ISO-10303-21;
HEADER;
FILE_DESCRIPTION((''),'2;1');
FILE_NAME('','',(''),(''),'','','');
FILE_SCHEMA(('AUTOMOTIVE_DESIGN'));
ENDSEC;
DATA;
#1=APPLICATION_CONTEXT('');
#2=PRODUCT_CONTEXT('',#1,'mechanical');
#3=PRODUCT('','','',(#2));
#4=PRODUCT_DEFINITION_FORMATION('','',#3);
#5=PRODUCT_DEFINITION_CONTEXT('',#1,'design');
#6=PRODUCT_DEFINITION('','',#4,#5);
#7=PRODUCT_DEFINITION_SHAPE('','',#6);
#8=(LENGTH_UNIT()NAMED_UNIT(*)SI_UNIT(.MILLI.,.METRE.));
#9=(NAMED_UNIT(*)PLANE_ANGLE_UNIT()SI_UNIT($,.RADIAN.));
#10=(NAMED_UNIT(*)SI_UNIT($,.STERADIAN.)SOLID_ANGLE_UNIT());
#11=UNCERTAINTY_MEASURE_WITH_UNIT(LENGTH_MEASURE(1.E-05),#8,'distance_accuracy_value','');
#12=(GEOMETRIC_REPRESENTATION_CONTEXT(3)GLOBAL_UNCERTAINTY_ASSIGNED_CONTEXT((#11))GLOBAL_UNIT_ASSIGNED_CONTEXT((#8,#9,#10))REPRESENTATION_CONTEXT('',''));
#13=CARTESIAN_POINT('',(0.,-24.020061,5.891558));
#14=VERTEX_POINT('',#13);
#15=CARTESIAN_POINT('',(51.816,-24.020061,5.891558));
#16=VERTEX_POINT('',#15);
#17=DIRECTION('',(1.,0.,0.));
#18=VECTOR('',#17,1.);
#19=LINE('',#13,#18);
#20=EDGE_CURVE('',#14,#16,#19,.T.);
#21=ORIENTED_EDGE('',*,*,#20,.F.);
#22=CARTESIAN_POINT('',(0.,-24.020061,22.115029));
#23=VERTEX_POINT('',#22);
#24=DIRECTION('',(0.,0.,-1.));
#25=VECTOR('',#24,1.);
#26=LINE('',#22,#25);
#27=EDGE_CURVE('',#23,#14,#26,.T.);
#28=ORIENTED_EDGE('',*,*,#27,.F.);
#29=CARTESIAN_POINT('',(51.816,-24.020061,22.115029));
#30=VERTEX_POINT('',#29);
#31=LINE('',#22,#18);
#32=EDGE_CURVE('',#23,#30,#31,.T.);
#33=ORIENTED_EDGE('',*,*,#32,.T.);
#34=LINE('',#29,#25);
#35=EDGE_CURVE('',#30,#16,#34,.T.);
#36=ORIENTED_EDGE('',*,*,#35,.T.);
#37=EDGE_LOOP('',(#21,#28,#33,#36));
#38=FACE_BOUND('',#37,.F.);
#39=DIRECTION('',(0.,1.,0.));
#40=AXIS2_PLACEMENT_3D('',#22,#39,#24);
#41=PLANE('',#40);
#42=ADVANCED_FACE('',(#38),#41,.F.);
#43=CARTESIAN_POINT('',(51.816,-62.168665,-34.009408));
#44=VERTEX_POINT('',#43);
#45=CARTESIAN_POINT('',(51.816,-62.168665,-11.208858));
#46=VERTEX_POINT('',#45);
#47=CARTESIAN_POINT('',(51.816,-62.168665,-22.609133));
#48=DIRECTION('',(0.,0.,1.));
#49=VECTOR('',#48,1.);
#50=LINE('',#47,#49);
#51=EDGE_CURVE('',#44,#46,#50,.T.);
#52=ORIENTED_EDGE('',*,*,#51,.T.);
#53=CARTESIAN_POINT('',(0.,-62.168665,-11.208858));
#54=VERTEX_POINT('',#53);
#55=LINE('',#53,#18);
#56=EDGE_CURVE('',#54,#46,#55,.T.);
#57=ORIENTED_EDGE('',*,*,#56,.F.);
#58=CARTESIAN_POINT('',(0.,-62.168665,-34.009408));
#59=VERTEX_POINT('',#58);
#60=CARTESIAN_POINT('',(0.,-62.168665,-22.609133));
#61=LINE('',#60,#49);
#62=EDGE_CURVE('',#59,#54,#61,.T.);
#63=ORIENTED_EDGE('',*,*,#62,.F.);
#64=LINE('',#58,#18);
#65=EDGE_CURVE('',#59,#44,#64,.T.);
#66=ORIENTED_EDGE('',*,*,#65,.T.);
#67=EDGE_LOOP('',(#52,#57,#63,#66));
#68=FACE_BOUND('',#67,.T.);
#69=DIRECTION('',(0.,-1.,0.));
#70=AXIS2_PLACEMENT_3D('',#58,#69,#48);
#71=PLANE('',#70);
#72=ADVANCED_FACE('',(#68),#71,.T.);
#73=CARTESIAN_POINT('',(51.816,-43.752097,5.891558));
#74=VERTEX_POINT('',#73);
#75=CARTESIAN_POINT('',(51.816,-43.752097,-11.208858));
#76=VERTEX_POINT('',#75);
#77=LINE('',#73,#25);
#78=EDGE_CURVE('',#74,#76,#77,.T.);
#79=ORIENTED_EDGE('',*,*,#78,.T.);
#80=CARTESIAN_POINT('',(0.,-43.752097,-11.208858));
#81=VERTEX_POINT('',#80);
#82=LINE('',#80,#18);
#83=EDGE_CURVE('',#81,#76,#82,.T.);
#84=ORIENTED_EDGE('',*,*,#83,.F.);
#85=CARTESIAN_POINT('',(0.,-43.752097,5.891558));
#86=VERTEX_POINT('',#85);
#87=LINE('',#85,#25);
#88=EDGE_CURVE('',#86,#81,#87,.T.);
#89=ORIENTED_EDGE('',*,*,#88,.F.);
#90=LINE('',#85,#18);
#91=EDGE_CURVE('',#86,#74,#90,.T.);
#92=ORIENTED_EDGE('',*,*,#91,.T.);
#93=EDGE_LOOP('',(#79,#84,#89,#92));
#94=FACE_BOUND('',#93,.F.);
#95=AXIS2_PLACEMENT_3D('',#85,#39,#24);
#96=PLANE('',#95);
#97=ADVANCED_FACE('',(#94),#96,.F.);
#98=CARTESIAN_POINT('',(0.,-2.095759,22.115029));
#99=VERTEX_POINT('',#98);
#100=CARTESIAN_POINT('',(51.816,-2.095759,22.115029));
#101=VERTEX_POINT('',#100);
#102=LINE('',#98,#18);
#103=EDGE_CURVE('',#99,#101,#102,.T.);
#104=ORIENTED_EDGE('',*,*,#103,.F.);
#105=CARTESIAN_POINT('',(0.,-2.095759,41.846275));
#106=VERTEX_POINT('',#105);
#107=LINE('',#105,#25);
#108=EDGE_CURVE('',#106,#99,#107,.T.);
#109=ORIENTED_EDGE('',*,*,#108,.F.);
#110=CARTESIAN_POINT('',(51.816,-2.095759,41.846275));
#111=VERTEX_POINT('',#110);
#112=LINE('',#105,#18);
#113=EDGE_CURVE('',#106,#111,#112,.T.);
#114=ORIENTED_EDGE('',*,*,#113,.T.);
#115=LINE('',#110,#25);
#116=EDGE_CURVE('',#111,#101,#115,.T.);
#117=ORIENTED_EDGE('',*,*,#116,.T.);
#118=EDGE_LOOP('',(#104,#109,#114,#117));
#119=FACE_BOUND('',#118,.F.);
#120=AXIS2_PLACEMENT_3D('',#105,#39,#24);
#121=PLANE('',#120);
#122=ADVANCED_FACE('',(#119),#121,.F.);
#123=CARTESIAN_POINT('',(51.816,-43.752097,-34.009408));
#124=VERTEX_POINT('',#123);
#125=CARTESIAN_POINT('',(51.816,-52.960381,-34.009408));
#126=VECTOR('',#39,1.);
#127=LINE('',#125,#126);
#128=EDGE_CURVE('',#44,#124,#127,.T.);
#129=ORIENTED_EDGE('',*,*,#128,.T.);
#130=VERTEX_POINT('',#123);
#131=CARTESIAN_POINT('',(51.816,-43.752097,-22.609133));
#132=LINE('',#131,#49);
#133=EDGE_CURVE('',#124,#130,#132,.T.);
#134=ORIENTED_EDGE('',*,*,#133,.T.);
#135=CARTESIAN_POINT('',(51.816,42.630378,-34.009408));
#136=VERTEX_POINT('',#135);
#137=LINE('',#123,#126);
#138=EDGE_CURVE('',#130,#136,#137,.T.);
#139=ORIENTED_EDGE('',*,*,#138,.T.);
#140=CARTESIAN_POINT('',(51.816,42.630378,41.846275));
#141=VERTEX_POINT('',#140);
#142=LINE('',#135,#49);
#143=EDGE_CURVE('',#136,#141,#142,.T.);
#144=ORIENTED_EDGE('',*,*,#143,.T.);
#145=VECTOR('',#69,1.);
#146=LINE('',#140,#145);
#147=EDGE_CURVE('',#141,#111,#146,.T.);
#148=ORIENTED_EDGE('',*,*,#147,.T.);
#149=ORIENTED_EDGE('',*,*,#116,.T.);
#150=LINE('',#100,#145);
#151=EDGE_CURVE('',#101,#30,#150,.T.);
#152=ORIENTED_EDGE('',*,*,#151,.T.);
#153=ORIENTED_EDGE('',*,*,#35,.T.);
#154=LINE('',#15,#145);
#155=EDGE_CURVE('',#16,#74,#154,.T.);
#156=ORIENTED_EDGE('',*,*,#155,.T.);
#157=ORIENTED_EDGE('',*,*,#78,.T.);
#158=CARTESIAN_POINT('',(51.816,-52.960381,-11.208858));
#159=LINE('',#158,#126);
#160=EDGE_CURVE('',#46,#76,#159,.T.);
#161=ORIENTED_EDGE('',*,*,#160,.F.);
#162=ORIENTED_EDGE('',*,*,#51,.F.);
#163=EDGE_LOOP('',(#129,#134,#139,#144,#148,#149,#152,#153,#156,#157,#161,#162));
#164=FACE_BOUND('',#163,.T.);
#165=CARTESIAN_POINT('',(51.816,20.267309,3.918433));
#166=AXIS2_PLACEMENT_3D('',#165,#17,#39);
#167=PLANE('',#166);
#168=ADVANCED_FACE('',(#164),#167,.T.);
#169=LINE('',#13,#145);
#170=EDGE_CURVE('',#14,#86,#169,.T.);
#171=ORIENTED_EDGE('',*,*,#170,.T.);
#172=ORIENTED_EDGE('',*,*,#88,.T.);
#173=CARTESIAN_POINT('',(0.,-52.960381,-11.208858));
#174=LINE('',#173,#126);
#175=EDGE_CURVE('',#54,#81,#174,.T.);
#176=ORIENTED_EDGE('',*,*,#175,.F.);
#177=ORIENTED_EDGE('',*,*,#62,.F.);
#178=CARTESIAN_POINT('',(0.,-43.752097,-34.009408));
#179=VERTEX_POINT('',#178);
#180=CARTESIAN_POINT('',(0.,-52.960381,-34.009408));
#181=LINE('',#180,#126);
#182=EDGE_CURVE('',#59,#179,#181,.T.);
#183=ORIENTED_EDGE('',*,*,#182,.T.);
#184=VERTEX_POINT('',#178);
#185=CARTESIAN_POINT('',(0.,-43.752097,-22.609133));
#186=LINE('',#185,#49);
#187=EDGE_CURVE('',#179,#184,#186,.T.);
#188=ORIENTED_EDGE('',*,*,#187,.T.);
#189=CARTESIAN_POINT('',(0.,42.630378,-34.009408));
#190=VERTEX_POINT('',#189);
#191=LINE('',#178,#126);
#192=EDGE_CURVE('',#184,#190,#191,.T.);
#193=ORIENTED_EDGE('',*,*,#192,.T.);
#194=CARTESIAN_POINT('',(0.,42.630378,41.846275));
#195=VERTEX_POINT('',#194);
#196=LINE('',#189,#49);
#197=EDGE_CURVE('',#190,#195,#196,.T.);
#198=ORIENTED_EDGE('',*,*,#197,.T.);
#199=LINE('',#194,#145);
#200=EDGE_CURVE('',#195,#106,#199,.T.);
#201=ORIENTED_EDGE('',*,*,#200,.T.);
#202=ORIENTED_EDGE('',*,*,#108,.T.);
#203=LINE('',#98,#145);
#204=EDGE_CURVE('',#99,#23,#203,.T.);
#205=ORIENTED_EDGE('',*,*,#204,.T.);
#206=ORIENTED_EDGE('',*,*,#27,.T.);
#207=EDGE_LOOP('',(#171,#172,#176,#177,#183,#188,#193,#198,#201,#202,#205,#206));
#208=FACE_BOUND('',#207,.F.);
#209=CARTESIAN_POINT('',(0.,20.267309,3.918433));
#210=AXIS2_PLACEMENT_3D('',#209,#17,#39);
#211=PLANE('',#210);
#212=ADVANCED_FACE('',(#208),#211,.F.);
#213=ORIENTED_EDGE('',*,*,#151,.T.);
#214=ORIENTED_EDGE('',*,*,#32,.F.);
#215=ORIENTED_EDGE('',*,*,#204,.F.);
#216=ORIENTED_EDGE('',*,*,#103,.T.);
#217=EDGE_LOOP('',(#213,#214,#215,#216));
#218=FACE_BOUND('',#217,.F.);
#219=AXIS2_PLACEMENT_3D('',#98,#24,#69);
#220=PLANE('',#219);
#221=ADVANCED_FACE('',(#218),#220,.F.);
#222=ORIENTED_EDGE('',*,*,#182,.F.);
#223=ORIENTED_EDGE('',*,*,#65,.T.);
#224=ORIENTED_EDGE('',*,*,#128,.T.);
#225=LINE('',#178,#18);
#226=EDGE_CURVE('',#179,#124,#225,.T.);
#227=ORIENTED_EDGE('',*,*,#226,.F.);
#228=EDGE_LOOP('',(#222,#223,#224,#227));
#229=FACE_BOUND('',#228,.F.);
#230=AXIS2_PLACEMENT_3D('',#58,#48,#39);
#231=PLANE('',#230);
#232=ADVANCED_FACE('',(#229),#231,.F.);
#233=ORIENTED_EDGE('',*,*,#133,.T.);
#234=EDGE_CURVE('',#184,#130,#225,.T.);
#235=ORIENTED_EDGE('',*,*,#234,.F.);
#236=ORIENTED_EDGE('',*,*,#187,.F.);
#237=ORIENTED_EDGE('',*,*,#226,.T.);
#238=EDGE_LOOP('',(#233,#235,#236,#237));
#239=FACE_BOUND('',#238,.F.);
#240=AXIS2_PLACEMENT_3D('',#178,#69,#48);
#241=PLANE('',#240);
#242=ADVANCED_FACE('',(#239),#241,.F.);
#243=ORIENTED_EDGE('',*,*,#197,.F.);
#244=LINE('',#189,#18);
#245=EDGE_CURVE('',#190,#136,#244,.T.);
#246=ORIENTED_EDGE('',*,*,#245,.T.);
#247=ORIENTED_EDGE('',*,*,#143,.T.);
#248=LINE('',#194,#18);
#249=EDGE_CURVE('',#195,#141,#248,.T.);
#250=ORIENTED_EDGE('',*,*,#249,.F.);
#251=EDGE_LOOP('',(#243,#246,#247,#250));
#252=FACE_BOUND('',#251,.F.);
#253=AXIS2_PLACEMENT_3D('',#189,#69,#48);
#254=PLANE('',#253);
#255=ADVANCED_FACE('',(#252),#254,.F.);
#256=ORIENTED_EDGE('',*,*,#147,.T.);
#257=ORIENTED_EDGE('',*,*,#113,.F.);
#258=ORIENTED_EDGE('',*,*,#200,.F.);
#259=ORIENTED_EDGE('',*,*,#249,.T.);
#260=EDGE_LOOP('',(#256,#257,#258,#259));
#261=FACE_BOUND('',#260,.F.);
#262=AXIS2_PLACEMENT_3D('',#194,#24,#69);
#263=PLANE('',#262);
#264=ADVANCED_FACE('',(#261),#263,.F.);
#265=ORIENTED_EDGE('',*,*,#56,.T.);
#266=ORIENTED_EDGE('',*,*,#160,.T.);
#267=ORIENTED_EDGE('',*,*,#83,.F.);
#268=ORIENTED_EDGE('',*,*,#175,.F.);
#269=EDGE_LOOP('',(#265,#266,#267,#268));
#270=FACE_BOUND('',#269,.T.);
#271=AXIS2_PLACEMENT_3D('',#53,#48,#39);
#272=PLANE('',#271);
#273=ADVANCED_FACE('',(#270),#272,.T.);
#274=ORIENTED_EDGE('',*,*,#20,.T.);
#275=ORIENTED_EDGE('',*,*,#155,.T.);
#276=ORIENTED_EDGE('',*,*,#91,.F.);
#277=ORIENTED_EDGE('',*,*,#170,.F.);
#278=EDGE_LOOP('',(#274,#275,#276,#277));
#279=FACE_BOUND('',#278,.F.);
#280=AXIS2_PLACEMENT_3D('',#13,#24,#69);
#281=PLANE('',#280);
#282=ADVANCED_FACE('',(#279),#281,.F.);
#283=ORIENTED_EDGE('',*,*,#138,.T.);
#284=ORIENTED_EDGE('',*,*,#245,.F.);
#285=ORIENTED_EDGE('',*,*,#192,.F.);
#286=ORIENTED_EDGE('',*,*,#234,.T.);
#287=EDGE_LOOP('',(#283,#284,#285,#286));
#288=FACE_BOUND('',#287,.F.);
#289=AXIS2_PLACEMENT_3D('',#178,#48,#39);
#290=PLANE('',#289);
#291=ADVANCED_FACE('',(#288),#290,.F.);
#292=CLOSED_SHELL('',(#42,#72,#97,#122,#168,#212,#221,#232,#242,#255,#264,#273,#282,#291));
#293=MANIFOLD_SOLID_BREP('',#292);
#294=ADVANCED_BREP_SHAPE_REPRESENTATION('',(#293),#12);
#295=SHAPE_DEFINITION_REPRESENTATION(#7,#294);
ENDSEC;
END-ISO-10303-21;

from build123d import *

# Parameters (mm, degrees)
F0_W     = 18.416568
F0_H     = 22.800551
F1_DEPTH = 51.816


with BuildPart() as f1:
    # F0 (on Right) → F1 (new body)
    with BuildSketch(Plane.YZ):
        Polygon((42.630378, -34.009408), (42.630378, 41.846275), (-2.095759, 41.846275), (-2.095759, 22.115029), (-2.095759, -34.009408), align=None)
        Polygon((-2.095759, -34.009408), (-2.095759, 22.115029), (-24.020061, 22.115029), (-24.020061, 5.891558), (-24.020061, -34.009408), align=None)
        Polygon((-43.752097, -34.009408), (-24.020061, -34.009408), (-24.020061, 5.891558), (-43.752097, 5.891558), (-43.752097, -11.208857), align=None)
        with Locations((-52.960381, -22.609133)):
            Rectangle(F0_W, F0_H)
    extrude(amount=F1_DEPTH)


solid = f1.part
